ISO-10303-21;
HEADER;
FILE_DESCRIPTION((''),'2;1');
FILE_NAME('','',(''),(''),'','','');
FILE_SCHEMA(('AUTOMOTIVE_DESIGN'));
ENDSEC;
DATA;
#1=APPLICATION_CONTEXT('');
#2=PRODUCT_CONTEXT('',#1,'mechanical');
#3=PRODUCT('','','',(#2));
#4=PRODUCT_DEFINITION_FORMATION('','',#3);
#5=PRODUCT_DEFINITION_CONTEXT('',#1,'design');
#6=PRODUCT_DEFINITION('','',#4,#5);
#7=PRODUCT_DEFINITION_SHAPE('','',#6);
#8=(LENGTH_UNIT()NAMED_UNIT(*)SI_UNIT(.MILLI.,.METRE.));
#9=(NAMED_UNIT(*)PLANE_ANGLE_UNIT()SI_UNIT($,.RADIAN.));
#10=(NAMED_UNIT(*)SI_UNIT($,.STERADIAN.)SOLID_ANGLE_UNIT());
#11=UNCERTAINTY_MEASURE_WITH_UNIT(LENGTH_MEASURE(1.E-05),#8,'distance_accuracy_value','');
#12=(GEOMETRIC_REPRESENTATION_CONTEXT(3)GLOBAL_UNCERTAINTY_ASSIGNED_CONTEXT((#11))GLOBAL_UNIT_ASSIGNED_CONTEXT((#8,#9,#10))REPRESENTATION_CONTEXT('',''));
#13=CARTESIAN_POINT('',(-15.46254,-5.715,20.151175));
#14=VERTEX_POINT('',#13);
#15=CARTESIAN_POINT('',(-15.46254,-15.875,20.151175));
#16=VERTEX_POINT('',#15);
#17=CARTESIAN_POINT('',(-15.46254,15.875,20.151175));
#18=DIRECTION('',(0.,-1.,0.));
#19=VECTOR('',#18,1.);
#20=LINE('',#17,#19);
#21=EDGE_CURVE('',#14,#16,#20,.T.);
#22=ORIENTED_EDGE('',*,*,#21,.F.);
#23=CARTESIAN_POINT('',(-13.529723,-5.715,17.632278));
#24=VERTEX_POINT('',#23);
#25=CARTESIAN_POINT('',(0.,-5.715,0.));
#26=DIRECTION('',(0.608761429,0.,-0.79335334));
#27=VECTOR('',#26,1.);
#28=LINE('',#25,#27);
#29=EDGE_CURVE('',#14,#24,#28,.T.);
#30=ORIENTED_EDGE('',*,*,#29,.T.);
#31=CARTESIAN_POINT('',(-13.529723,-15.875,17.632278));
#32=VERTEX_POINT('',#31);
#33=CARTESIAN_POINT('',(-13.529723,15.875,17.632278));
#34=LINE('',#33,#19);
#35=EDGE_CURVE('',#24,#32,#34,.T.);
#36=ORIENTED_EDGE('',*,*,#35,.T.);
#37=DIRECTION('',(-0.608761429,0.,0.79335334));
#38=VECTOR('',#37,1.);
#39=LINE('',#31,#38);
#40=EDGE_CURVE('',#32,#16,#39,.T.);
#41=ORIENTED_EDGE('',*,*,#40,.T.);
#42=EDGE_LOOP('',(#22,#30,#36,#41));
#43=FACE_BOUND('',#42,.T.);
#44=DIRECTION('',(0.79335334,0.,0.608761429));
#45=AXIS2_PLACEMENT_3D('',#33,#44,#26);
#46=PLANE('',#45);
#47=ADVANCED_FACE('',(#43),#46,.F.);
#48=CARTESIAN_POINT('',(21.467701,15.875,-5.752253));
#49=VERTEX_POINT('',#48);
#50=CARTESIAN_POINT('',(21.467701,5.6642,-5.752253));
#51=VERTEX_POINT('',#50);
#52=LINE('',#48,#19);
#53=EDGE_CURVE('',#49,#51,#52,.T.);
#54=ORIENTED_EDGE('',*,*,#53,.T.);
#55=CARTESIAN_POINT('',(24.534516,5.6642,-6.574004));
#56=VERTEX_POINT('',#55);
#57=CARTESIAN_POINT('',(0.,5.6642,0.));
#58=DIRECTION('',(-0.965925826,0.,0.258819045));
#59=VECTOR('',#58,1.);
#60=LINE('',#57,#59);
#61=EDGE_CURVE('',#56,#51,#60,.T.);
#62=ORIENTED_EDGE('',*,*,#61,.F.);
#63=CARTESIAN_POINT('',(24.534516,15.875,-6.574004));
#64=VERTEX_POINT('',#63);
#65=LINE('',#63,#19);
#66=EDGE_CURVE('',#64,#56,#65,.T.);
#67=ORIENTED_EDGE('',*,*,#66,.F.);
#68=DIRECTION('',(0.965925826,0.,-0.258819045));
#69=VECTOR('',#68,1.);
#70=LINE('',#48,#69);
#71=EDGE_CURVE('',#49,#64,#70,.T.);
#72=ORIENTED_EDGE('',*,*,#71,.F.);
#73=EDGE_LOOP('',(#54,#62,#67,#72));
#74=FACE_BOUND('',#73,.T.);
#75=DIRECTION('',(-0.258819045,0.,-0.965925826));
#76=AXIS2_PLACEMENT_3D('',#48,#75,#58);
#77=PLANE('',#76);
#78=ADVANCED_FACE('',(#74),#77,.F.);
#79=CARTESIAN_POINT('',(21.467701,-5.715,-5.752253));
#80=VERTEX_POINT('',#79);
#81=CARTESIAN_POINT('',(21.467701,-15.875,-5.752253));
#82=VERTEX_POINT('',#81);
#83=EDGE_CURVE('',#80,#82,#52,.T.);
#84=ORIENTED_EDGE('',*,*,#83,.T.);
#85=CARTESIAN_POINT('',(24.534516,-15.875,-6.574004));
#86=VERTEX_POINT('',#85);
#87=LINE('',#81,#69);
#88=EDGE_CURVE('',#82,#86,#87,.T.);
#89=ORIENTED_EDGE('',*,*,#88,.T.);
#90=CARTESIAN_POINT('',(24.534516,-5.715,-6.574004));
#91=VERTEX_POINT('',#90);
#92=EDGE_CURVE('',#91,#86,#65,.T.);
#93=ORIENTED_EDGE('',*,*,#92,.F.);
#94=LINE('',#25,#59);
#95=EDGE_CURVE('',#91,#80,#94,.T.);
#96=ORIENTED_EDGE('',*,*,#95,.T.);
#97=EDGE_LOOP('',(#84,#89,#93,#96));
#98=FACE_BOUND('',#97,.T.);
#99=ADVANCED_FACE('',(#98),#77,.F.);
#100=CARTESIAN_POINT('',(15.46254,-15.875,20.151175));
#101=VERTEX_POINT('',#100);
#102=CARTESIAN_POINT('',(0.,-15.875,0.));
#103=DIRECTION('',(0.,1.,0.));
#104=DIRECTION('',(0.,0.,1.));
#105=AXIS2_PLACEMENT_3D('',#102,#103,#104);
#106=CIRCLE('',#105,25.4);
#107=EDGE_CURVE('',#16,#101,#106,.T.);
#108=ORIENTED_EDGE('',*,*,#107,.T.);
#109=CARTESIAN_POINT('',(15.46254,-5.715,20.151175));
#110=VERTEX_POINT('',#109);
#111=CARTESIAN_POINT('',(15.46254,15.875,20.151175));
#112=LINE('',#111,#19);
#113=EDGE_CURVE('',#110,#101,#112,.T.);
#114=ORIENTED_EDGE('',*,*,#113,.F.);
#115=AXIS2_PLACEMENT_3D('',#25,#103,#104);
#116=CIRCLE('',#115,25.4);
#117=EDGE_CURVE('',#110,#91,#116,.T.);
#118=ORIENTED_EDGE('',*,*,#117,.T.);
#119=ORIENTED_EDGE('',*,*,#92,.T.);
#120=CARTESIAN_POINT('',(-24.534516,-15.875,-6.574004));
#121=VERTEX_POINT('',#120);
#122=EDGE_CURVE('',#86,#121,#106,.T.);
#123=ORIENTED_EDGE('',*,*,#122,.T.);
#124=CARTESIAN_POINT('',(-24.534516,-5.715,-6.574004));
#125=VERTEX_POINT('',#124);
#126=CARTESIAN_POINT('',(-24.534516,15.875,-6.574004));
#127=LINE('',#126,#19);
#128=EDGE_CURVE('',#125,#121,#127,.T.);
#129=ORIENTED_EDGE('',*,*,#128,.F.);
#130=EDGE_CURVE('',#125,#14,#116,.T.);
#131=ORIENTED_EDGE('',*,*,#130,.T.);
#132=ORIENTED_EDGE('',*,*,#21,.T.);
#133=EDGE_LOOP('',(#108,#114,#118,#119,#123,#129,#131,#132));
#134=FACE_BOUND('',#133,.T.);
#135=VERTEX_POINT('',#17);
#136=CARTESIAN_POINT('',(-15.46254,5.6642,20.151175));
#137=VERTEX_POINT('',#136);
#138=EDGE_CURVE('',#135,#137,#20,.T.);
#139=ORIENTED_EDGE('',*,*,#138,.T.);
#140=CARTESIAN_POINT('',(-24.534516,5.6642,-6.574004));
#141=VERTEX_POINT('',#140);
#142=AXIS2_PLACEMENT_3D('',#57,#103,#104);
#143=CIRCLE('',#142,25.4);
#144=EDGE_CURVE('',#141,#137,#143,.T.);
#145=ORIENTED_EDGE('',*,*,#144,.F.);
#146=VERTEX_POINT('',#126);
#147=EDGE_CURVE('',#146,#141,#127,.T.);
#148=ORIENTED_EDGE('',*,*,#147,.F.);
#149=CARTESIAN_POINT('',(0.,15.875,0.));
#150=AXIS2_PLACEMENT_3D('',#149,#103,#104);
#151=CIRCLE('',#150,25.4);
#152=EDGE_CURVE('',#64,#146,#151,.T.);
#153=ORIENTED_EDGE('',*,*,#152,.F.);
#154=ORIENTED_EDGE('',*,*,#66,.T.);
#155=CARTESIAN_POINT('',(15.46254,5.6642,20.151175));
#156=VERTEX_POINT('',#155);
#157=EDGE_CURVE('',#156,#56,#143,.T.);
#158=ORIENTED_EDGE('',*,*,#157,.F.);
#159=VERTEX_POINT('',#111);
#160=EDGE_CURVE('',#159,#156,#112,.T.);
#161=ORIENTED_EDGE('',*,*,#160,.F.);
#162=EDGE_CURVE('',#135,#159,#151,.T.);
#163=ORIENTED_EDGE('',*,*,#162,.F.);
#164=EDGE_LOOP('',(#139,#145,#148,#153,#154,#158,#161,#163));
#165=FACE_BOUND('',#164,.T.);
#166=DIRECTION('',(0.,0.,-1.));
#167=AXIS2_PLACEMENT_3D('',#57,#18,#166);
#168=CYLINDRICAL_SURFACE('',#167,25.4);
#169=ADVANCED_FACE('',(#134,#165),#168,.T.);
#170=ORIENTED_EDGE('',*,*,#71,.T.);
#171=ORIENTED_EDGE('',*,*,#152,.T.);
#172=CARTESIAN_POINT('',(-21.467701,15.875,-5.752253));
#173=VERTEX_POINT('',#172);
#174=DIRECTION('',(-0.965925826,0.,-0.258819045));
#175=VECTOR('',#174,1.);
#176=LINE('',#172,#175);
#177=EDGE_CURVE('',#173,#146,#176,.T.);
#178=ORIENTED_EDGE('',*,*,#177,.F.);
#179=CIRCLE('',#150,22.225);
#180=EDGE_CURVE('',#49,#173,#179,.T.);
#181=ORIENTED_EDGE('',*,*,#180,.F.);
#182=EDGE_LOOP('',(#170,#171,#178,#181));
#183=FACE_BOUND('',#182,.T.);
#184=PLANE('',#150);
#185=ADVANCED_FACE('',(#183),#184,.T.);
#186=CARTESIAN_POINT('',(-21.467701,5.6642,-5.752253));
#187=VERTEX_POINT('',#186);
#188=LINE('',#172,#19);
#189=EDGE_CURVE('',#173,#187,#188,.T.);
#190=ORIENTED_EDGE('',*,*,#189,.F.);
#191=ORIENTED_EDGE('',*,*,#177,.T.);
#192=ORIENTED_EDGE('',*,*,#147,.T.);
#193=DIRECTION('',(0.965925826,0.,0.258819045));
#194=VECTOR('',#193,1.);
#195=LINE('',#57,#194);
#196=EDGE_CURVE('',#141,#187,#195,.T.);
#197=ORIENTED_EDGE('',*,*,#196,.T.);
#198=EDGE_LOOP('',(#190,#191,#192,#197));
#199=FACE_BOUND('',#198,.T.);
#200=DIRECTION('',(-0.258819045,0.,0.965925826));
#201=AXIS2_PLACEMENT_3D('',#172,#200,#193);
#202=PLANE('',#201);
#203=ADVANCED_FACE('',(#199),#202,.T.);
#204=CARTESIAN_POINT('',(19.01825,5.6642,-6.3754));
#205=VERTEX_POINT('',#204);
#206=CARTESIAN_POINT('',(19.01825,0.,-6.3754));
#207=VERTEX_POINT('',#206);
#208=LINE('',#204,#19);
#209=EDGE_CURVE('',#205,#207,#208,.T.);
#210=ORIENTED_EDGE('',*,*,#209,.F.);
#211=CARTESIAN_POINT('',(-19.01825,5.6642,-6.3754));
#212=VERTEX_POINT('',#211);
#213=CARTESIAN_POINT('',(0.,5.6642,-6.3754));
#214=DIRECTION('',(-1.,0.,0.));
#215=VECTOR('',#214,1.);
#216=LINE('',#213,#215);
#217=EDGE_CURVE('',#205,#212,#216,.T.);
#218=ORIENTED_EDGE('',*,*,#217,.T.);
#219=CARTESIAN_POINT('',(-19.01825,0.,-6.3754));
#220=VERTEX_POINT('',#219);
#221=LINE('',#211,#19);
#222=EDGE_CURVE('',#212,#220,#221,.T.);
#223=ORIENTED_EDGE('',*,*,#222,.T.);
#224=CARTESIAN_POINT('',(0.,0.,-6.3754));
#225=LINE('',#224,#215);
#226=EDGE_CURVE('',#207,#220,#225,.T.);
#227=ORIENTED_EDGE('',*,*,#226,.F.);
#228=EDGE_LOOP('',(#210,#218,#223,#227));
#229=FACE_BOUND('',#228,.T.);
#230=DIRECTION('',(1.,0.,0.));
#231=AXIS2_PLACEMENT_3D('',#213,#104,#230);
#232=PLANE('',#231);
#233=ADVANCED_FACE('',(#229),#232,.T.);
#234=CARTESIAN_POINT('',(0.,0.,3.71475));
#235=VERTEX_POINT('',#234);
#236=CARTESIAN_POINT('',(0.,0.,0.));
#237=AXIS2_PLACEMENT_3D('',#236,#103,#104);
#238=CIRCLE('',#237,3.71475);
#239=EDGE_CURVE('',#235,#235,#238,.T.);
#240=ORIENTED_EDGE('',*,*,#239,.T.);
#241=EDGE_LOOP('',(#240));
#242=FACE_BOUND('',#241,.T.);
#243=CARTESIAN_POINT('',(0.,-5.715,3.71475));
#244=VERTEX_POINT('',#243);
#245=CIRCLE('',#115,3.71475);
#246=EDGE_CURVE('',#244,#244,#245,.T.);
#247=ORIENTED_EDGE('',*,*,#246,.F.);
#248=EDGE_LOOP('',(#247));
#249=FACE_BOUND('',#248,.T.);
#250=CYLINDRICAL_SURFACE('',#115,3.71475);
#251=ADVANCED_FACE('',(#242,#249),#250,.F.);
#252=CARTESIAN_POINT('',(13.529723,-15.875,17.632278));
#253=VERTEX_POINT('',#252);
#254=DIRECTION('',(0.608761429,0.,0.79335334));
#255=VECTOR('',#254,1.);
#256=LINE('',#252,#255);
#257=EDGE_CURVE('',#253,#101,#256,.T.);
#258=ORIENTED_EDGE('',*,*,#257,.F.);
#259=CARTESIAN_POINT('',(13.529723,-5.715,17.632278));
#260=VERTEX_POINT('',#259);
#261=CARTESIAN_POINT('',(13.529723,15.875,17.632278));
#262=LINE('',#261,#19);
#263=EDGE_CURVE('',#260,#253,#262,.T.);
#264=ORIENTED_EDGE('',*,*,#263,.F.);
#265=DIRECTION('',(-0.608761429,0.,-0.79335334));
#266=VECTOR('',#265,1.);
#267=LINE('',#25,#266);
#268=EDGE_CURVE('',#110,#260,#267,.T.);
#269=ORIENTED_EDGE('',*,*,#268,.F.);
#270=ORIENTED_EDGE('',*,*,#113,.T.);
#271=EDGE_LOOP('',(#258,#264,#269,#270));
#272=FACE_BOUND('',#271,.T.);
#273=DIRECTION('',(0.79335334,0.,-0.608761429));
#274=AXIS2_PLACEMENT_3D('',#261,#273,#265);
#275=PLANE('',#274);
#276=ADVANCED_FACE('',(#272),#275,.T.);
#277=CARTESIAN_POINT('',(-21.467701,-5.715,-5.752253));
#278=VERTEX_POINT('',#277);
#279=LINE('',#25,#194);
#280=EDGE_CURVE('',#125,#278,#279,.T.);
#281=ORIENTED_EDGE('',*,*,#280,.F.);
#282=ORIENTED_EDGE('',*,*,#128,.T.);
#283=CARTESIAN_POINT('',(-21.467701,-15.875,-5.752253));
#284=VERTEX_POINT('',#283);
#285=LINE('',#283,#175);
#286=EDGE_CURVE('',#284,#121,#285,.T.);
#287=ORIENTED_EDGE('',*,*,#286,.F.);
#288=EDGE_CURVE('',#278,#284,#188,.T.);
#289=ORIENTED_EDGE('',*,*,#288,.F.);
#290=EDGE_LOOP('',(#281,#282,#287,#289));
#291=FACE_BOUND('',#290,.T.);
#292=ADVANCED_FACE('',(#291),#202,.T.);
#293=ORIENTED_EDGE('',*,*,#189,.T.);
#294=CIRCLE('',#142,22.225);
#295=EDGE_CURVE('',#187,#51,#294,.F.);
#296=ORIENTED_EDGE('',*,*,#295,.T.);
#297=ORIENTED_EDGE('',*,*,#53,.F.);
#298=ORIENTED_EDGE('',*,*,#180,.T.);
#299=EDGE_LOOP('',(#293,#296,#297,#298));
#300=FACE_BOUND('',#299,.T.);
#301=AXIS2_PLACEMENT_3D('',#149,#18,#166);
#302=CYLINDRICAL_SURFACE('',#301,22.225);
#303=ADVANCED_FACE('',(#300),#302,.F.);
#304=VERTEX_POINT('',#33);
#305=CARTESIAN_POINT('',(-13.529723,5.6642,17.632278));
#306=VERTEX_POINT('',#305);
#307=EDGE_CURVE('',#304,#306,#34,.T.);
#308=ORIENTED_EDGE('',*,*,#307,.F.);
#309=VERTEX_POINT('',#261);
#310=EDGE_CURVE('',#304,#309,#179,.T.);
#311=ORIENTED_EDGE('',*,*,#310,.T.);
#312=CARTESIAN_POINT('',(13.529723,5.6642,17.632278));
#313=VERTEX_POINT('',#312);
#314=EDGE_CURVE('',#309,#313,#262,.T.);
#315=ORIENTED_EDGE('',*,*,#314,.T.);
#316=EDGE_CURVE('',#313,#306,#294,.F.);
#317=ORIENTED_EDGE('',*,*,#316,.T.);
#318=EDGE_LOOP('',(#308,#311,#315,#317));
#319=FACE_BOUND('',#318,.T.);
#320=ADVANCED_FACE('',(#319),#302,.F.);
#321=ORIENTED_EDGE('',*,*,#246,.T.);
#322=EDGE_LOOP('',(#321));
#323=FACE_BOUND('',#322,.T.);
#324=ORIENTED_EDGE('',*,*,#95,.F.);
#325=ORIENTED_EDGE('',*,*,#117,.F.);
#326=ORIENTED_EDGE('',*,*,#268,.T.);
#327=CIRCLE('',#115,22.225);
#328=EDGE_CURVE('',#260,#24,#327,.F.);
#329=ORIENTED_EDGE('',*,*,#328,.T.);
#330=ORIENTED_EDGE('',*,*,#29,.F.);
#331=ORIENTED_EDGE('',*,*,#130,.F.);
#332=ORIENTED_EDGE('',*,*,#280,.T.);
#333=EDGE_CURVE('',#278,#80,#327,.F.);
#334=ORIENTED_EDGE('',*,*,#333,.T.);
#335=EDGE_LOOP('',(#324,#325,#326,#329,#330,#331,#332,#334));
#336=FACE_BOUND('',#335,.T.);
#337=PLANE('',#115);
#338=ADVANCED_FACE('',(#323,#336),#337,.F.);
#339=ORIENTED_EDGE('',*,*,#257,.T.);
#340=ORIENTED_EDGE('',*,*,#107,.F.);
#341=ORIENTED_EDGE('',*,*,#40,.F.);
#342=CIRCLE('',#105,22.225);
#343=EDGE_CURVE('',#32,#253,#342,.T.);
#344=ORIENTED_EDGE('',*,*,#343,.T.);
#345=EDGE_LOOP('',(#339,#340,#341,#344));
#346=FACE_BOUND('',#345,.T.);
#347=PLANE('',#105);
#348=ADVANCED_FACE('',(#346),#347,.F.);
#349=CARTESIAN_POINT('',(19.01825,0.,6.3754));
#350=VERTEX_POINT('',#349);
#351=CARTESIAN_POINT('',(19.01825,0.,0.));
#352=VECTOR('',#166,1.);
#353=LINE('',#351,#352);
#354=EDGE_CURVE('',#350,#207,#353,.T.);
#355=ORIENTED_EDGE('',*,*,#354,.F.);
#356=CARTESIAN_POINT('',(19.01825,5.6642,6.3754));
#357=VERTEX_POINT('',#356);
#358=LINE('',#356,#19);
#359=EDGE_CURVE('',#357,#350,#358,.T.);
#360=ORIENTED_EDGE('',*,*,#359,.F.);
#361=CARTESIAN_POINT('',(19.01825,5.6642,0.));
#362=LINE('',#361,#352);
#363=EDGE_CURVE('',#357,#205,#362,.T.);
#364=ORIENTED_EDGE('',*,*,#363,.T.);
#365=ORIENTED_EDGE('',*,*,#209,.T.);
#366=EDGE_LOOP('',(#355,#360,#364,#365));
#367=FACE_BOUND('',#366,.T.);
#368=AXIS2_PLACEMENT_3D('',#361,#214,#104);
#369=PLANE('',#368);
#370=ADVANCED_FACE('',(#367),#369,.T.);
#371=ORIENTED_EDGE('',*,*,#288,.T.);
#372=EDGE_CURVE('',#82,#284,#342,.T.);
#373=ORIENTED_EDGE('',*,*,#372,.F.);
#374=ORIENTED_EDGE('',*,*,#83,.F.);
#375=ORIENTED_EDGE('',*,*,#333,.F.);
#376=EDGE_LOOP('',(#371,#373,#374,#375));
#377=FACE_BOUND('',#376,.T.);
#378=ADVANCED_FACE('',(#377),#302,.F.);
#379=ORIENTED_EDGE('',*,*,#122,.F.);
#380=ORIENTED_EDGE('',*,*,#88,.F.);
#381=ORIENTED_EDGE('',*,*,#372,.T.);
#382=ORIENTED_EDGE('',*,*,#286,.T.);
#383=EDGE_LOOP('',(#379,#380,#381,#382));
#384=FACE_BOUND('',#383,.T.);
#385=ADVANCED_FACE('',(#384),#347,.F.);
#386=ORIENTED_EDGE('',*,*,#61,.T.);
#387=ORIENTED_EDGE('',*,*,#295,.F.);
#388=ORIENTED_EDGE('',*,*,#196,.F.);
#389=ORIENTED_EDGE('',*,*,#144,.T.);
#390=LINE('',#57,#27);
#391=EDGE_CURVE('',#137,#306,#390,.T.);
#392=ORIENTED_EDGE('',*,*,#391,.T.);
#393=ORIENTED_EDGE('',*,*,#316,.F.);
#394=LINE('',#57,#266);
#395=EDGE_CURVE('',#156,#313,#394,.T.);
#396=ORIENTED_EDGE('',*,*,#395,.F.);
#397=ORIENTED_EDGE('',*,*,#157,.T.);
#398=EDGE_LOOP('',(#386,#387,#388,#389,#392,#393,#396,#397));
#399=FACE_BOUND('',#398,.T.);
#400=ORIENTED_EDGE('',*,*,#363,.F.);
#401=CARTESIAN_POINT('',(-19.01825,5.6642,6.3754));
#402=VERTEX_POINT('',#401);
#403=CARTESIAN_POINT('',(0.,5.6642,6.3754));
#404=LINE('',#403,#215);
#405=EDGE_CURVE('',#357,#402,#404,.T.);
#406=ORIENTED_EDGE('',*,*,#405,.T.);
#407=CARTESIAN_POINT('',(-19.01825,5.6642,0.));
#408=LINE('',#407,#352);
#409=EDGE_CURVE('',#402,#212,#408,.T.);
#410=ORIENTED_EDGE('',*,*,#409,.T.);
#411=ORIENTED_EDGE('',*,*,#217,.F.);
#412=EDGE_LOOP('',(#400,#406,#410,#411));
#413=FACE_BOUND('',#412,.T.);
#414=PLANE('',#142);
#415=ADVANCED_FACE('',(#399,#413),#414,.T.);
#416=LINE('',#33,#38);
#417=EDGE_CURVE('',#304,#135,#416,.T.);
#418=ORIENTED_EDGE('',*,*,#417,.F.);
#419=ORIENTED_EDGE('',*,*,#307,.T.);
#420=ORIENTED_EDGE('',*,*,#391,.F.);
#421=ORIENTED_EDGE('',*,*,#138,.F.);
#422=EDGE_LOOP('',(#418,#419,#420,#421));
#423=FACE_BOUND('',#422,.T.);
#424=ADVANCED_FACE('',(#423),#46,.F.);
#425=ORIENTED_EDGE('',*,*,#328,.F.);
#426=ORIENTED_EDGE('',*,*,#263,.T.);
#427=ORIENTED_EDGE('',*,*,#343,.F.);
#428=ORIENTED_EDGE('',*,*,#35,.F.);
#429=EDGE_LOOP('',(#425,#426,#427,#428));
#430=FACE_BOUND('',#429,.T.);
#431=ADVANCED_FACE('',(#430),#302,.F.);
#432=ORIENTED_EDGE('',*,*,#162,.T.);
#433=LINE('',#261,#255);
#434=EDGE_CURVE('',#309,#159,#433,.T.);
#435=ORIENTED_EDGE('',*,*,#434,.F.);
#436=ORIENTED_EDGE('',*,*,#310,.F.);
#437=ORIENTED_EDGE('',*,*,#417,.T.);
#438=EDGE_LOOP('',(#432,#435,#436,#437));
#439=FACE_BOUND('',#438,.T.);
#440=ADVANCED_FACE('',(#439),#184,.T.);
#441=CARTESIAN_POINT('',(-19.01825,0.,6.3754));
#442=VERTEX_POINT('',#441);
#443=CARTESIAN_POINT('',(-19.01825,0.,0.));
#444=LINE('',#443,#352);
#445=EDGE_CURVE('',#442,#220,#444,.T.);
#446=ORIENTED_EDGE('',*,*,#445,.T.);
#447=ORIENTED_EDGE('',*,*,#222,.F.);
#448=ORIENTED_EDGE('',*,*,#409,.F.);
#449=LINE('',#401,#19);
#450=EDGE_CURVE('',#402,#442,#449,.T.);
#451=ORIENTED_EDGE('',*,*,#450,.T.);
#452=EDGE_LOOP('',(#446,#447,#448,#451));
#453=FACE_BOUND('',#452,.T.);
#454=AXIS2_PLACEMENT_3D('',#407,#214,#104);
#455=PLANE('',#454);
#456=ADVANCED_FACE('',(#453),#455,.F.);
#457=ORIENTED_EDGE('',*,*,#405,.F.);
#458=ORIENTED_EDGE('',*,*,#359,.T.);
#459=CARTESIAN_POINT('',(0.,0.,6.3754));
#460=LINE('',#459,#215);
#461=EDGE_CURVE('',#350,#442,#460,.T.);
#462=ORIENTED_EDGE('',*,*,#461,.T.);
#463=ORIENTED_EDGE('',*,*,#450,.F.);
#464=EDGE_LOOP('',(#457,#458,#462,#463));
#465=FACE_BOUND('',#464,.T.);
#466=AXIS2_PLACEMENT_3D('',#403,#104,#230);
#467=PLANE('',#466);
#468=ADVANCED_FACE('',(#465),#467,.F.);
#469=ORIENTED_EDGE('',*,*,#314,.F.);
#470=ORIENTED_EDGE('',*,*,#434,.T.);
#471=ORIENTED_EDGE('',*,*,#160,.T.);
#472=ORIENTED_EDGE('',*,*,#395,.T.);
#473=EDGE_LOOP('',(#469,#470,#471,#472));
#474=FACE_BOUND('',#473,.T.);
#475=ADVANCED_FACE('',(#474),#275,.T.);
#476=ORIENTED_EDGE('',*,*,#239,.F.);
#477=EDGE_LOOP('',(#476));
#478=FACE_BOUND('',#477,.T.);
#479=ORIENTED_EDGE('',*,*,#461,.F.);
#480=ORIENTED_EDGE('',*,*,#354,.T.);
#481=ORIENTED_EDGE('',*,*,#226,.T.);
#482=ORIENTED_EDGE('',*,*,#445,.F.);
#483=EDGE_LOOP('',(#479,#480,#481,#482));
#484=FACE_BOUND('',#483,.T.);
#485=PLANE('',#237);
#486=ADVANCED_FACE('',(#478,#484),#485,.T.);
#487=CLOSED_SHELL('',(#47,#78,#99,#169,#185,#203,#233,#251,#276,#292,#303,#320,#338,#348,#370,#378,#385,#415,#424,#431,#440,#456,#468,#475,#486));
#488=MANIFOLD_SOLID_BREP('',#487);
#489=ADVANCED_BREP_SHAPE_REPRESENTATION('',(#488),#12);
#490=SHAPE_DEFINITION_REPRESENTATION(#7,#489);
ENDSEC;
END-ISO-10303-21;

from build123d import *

# Parameters (mm, degrees)
SKETCH1_R           = 25.4
SKETCH1_W           = 38.0365
SKETCH1_H           = 12.7508
BOSS_EXTRUDE1_DEPTH = 5.6642
BOSS_EXTRUDE2_START = -5.715
SKETCH1_3_R         = 25.4
SKETCH1_3_R_2       = 3.71475
BOSS_EXTRUDE2_DEPTH = 5.715
BOSS_EXTRUDE3_DEPTH = 15.875


with BuildPart() as part:
    # Sketch1 → Boss-Extrude1 (new body)
    with BuildSketch(Plane(origin=(0, 0, 0), x_dir=(1, 0, 0), z_dir=(0, 1, 0))):
        Circle(SKETCH1_R)
        Rectangle(SKETCH1_W, SKETCH1_H, mode=Mode.SUBTRACT)
    extrude(amount=BOSS_EXTRUDE1_DEPTH)

    # Sketch1<3> → Boss-Extrude2 (add)
    with BuildSketch(Plane(origin=(0, 0, 0), x_dir=(1, 0, 0), z_dir=(0, 1, 0)).offset(BOSS_EXTRUDE2_START)):
        Circle(SKETCH1_3_R)
        Circle(SKETCH1_3_R_2, mode=Mode.SUBTRACT)
    extrude(amount=BOSS_EXTRUDE2_DEPTH)

    # Sketch2 → Boss-Extrude3 (add, symmetric)
    with BuildSketch(Plane(origin=(0, 0, 0), x_dir=(1, 0, 0), z_dir=(0, 1, 0))):
        with BuildLine():
            Line((21.467701, 5.752253), (24.534516, 6.574004))
            ThreePointArc((24.534516, 6.574004), (0, 25.4), (-24.534516, 6.574004))
            Line((-24.534516, 6.574004), (-21.467701, 5.752253))
            ThreePointArc((-21.467701, 5.752253), (0, 22.225), (21.467701, 5.752253))
        make_face()
        with BuildLine():
            Line((-13.529723, -17.632278), (-15.46254, -20.151175))
            ThreePointArc((-15.46254, -20.151175), (0, -25.4), (15.46254, -20.151175))
            Line((15.46254, -20.151175), (13.529723, -17.632278))
            ThreePointArc((13.529723, -17.632278), (0, -22.225), (-13.529723, -17.632278))
        make_face()
    extrude(amount=BOSS_EXTRUDE3_DEPTH, both=True)


solid = part.part
